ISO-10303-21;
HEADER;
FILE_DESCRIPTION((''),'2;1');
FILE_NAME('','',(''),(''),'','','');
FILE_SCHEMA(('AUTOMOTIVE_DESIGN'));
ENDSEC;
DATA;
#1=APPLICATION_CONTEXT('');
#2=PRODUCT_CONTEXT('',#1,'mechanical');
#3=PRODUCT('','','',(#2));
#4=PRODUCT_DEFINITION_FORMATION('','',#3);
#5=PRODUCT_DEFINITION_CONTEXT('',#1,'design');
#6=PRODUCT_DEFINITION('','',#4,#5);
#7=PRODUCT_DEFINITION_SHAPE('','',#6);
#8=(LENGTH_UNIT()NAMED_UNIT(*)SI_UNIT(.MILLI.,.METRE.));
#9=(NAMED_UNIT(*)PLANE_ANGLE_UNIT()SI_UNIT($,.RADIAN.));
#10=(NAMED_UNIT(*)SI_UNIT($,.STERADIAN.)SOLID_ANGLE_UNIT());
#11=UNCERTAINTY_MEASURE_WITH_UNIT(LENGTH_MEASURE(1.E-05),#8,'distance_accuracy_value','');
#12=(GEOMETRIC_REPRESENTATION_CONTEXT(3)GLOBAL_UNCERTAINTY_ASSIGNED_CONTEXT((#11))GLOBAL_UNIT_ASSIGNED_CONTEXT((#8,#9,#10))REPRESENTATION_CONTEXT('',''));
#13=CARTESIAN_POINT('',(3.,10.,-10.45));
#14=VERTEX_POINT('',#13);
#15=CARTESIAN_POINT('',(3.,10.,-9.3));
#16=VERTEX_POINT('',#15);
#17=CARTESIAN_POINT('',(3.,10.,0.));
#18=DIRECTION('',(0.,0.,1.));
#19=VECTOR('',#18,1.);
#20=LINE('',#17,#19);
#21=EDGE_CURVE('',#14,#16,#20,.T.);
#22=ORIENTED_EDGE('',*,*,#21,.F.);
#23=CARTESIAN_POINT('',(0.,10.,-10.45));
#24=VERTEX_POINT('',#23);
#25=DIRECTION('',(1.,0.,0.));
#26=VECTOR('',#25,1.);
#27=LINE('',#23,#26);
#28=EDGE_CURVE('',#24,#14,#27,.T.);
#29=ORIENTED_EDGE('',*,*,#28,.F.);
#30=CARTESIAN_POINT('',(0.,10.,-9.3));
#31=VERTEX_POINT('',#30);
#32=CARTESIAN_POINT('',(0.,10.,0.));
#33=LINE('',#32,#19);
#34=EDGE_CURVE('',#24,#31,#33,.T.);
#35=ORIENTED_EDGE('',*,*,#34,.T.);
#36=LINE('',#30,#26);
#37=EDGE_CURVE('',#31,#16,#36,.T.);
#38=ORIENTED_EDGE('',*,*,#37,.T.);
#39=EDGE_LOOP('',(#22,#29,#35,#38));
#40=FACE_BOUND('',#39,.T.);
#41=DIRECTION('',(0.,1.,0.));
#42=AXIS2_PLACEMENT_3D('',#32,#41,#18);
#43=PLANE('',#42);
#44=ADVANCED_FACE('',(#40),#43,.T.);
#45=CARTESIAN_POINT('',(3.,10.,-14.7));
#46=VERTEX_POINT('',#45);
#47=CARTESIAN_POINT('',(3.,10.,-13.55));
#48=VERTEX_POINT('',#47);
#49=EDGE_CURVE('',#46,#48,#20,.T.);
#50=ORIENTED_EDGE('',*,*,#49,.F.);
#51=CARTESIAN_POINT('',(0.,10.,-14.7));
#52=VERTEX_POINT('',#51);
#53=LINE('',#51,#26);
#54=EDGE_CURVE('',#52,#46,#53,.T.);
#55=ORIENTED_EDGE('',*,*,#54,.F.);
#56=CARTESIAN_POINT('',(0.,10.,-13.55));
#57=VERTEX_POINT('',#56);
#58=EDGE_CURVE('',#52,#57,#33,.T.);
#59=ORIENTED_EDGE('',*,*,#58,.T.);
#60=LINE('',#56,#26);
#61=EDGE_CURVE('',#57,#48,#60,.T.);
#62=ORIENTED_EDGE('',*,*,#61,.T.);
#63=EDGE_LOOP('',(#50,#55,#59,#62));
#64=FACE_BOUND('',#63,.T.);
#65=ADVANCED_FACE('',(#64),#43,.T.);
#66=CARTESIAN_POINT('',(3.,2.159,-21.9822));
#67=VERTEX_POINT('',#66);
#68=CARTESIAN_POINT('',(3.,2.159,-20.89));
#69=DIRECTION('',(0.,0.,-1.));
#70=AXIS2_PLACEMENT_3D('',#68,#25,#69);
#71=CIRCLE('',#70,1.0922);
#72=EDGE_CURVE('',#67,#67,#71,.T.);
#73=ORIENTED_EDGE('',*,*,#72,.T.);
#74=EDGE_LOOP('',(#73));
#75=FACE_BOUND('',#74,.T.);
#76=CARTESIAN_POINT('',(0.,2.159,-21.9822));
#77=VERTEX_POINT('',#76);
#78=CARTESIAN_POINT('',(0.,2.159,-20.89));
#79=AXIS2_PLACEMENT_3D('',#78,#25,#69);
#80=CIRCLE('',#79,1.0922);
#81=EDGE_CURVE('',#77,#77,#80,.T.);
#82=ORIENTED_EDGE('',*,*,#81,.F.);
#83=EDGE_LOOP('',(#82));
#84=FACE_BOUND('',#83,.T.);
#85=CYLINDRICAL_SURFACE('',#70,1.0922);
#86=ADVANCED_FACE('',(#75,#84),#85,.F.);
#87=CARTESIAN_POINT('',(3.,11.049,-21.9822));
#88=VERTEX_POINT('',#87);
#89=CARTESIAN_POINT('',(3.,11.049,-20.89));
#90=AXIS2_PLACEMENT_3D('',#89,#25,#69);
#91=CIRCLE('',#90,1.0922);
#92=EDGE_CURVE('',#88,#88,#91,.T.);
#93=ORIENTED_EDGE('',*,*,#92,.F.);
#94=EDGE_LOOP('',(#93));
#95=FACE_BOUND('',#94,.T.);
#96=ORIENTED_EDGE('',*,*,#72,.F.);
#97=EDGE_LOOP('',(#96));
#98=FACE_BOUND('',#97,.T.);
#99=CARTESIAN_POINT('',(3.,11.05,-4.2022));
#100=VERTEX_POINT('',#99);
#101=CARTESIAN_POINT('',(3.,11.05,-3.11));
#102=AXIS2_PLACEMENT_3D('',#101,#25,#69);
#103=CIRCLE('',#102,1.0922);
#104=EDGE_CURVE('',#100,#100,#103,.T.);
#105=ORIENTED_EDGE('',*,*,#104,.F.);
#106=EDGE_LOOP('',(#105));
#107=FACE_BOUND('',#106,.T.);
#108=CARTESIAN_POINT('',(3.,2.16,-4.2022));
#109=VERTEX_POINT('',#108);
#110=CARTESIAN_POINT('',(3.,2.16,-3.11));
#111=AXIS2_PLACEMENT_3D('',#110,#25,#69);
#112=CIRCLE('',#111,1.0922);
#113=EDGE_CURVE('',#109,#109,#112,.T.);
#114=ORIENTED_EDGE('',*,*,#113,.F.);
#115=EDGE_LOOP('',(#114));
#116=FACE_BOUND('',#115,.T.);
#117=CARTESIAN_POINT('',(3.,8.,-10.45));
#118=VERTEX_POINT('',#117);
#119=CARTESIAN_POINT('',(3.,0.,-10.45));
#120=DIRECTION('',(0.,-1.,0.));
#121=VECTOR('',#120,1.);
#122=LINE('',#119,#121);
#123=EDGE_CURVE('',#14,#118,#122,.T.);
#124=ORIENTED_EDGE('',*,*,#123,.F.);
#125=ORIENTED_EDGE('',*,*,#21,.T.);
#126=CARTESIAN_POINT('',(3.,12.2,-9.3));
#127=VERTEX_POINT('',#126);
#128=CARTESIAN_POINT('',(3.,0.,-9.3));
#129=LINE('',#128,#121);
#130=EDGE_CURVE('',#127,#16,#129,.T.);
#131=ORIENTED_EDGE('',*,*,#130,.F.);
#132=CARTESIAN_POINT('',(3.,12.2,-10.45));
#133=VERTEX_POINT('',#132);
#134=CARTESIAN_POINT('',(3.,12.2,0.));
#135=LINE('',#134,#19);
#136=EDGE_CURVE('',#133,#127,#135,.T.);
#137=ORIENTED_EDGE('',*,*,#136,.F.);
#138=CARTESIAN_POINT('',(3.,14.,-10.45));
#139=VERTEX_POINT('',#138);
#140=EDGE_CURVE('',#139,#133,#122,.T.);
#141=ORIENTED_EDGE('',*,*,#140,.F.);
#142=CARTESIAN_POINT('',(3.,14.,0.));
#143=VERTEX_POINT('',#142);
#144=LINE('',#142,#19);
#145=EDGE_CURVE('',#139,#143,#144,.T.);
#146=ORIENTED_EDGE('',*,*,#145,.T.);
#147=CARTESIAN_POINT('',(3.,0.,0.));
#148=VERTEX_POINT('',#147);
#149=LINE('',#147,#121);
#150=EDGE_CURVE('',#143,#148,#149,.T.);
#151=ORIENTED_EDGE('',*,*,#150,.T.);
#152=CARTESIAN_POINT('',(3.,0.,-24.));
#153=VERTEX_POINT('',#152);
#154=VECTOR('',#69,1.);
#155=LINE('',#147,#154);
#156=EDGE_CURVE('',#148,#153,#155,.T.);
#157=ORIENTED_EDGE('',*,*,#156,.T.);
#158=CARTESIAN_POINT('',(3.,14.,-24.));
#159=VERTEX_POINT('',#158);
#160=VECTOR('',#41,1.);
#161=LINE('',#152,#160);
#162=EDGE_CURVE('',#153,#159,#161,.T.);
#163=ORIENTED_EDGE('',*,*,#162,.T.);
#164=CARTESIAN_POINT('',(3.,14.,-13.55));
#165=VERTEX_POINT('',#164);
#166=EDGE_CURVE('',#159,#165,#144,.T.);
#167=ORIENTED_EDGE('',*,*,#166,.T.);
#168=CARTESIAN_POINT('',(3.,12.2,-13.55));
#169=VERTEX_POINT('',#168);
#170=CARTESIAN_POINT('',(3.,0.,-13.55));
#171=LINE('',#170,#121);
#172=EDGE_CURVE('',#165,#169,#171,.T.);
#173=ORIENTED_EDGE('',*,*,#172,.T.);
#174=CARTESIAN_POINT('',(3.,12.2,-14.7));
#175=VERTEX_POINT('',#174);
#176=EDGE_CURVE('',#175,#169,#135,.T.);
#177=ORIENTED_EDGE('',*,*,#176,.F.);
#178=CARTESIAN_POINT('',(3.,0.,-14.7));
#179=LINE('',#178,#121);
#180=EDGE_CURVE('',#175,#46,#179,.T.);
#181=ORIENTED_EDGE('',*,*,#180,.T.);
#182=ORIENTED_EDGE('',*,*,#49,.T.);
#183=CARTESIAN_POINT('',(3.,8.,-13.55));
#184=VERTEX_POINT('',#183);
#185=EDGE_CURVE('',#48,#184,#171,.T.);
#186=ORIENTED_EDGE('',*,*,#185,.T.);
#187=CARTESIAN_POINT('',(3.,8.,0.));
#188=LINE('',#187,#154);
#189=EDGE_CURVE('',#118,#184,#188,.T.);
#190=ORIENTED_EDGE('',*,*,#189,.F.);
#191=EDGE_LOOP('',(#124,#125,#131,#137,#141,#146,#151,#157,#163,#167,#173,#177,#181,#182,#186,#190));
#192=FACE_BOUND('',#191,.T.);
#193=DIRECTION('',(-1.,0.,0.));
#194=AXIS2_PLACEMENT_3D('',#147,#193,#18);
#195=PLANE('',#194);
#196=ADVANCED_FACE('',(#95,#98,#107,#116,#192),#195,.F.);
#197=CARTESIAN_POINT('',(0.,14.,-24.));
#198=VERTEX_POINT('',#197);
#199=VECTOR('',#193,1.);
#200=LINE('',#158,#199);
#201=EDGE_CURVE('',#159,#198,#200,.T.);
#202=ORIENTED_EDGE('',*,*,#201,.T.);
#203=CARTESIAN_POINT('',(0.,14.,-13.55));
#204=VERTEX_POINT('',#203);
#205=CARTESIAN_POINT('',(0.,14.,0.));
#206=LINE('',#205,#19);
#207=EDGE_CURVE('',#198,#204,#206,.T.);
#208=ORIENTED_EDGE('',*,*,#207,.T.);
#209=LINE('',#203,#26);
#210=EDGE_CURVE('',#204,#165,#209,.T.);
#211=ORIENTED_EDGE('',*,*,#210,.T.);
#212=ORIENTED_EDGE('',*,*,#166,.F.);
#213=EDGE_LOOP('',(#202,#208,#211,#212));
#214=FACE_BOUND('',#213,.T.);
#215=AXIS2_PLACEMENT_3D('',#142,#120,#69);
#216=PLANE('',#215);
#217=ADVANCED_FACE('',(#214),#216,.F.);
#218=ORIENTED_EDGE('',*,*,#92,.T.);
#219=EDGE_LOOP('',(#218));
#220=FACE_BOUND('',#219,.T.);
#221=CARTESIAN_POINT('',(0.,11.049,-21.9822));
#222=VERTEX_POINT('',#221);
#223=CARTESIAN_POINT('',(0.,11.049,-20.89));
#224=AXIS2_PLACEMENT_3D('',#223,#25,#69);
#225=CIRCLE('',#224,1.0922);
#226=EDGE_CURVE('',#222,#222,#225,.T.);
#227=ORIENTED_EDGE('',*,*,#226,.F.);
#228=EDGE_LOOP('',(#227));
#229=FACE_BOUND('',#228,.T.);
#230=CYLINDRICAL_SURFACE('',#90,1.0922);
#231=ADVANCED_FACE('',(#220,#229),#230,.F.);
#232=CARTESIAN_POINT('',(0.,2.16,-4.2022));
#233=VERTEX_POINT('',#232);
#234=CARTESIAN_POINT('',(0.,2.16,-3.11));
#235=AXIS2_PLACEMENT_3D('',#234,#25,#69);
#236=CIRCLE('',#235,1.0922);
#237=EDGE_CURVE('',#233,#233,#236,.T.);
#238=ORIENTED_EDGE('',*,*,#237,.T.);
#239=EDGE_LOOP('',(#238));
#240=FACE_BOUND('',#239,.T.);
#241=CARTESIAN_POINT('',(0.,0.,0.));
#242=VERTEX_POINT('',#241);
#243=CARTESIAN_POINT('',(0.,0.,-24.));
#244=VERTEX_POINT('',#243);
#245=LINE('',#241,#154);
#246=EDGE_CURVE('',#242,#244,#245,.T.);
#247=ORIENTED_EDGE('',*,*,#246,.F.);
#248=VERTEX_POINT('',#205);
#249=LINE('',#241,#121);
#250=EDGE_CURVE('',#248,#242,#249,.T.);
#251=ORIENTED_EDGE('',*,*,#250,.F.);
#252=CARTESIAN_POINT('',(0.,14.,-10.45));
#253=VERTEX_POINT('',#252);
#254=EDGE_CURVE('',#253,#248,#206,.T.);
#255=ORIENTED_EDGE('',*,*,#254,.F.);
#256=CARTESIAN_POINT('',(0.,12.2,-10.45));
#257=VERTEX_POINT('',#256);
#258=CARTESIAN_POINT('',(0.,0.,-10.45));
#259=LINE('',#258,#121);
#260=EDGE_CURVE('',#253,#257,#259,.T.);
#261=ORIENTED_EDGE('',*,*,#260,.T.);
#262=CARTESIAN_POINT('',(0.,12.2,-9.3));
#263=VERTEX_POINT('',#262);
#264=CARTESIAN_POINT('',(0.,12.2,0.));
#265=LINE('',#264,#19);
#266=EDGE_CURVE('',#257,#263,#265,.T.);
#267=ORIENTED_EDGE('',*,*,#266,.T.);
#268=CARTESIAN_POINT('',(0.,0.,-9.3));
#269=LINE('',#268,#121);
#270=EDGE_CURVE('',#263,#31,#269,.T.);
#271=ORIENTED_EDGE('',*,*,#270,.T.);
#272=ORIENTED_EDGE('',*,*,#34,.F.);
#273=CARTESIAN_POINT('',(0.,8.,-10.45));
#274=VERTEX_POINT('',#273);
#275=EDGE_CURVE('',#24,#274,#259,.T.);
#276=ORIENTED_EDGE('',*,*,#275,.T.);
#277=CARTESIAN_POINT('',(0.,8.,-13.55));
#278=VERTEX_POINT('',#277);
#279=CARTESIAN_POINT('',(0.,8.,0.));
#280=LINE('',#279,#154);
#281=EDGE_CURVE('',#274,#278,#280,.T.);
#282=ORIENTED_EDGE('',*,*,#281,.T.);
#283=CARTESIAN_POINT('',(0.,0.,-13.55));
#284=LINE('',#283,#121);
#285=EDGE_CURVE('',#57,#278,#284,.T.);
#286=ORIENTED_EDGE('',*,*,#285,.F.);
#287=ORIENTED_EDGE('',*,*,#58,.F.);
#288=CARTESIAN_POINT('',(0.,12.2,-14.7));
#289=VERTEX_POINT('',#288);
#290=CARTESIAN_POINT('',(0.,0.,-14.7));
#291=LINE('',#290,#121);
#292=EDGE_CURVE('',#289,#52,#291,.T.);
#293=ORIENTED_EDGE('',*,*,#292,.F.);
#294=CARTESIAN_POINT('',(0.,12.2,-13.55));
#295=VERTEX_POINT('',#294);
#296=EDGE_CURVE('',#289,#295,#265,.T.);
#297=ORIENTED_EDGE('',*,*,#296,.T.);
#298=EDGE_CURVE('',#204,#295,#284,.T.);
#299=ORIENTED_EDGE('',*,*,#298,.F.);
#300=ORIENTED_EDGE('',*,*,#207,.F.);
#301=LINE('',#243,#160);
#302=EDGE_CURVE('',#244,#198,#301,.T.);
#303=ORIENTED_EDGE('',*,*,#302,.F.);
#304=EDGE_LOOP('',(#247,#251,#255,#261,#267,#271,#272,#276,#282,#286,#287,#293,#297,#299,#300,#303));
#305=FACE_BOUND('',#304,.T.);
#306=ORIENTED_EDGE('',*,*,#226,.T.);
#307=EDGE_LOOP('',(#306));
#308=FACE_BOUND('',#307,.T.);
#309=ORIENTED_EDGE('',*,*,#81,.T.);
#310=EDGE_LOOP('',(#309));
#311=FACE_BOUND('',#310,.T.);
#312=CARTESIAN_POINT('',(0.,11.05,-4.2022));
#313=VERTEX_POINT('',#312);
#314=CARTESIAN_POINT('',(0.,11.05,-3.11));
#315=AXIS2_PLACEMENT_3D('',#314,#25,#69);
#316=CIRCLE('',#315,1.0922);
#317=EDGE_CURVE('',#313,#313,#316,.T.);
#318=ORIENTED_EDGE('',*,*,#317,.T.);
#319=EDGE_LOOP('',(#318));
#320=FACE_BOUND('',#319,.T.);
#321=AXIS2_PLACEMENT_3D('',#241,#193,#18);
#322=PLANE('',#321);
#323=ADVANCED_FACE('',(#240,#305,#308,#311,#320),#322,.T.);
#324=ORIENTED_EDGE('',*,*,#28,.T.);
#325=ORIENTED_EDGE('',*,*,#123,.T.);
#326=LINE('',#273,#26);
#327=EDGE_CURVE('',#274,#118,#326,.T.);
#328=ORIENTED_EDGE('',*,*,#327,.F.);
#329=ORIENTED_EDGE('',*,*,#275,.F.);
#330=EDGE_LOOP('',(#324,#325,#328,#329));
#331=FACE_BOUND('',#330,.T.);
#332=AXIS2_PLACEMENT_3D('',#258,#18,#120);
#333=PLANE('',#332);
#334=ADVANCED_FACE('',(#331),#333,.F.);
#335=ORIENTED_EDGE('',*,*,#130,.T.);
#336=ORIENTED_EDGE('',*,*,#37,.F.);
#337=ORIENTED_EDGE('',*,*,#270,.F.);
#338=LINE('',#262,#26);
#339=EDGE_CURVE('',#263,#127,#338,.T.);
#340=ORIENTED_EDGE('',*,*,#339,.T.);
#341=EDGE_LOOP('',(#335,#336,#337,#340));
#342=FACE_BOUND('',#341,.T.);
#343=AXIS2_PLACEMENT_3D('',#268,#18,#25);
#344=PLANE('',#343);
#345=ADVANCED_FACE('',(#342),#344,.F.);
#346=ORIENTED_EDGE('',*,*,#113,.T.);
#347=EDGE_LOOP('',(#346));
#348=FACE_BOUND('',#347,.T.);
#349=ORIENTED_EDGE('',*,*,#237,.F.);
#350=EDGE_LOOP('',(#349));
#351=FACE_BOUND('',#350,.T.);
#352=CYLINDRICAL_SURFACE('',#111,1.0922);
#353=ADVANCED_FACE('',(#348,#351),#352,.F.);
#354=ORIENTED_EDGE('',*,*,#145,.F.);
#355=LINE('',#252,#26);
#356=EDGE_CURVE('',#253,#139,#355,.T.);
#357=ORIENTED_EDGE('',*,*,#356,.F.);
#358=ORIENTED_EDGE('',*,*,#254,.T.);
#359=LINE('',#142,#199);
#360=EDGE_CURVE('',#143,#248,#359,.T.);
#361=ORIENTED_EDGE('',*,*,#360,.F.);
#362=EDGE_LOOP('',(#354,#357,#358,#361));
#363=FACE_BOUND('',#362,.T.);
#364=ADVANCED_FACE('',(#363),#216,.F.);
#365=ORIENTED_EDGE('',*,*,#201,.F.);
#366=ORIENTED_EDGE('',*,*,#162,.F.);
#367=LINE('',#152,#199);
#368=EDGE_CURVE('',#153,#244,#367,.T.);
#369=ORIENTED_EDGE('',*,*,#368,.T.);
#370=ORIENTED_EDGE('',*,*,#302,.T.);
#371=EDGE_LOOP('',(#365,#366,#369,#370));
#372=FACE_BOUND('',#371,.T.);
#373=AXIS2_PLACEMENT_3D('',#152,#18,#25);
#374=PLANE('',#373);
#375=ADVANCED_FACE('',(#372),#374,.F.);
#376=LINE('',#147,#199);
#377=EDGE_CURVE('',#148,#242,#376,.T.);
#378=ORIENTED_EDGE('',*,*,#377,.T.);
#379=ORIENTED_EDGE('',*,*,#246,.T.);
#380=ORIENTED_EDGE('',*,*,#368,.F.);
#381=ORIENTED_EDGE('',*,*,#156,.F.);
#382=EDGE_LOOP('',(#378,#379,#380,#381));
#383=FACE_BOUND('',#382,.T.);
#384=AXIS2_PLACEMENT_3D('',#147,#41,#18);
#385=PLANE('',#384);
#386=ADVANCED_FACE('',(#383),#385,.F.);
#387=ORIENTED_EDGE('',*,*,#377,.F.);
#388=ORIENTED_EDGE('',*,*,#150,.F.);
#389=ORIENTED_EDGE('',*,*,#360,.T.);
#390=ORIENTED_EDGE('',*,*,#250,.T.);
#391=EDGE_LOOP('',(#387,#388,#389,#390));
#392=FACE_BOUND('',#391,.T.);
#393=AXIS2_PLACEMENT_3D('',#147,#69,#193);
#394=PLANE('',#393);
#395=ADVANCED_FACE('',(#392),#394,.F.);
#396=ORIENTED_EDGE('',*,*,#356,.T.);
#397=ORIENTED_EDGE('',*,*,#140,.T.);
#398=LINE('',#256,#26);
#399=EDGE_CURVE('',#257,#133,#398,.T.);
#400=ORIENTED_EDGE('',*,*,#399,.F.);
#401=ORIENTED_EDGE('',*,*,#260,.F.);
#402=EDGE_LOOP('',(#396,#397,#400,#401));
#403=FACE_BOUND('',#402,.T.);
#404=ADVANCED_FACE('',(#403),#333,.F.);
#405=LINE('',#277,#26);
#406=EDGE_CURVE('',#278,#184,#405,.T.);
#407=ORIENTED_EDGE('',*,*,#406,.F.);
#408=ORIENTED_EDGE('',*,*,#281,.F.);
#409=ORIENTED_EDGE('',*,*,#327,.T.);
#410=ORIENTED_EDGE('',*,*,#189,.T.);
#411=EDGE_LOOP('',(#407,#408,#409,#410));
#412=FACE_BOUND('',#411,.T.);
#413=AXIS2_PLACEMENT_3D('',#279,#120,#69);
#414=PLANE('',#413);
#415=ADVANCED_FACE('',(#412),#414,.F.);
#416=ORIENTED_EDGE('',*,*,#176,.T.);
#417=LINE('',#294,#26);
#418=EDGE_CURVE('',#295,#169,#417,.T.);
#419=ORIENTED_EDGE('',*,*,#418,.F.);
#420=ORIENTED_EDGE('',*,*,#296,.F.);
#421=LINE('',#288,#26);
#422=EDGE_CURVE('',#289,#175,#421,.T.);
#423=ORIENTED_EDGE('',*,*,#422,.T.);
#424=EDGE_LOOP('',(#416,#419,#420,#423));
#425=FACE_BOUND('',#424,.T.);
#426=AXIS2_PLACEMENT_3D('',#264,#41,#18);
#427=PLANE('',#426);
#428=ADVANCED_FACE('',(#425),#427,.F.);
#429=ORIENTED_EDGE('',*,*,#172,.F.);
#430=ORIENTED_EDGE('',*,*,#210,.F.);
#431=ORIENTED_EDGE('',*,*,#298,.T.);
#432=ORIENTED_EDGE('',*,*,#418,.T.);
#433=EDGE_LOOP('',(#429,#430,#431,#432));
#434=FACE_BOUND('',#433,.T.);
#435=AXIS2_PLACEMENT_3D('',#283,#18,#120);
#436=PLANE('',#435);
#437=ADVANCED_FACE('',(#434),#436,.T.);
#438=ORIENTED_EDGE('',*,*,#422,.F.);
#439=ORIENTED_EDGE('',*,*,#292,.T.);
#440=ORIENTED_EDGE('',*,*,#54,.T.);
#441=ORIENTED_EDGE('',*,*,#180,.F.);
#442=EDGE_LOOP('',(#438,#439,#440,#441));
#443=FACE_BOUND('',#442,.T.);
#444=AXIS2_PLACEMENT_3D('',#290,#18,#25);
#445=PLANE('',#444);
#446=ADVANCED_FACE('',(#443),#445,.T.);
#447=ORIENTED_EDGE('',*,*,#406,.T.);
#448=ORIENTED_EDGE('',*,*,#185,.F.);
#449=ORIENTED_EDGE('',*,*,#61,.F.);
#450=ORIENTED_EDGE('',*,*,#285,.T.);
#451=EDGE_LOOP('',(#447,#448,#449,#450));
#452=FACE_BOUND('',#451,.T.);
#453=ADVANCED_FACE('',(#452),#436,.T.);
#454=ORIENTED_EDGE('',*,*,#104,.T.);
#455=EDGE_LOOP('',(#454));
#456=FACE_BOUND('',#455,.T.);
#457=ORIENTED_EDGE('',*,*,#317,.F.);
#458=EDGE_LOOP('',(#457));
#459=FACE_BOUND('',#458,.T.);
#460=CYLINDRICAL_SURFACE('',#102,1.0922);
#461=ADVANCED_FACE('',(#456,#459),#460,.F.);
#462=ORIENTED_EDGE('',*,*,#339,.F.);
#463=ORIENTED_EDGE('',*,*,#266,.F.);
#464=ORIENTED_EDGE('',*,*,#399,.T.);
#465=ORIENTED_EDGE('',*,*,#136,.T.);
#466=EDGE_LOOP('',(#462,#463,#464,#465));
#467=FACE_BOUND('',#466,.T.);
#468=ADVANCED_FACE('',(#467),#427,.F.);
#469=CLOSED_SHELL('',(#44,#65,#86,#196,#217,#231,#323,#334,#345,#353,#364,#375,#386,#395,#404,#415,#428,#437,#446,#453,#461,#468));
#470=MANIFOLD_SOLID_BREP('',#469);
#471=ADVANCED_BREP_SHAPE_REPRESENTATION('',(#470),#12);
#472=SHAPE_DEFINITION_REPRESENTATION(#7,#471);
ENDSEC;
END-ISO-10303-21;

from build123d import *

# Parameters (mm, degrees)
SKETCH1_W                   = 24
SKETCH1_H                   = 14
BOSS_EXTRUDE1_DEPTH         = 3
F_44_0_086_DIAMETER_HOLE3_D = 2.1844
SKETCH6_W                   = 3.1
SKETCH6_H                   = 6
SKETCH6_W_2                 = 5.4
SKETCH6_H_2                 = 2.2
CUT_EXTRUDE1_DEPTH          = 3


with BuildPart() as part:
    # Sketch1 → Boss-Extrude1 (new body)
    with BuildSketch(Plane(origin=(0, 0, 0), x_dir=(0, 0, -1), z_dir=(1, 0, 0))):
        with Locations((12, 7)):
            Rectangle(SKETCH1_W, SKETCH1_H)
    extrude(amount=BOSS_EXTRUDE1_DEPTH)

    # #44 (0.086) Diameter Hole3 (through all)
    with Locations(Plane(origin=(3, 0, 0), x_dir=(0, 0, -1), z_dir=(1, 0, 0))):
        with Locations((3.11, 11.05), (20.889999972, 11.049), (20.889999944, 2.159), (3.11, 2.16)):
            Hole(F_44_0_086_DIAMETER_HOLE3_D / 2)

    # Sketch6 → Cut-Extrude1 (cut)
    with BuildSketch(Plane(origin=(3, 0, 0), x_dir=(0, 0, -1), z_dir=(1, 0, 0))):
        with Locations((12, 11)):
            Rectangle(SKETCH6_W, SKETCH6_H)
        with Locations((12, 11.1)):
            Rectangle(SKETCH6_W_2, SKETCH6_H_2)
    extrude(amount=-CUT_EXTRUDE1_DEPTH, mode=Mode.SUBTRACT)


solid = part.part
